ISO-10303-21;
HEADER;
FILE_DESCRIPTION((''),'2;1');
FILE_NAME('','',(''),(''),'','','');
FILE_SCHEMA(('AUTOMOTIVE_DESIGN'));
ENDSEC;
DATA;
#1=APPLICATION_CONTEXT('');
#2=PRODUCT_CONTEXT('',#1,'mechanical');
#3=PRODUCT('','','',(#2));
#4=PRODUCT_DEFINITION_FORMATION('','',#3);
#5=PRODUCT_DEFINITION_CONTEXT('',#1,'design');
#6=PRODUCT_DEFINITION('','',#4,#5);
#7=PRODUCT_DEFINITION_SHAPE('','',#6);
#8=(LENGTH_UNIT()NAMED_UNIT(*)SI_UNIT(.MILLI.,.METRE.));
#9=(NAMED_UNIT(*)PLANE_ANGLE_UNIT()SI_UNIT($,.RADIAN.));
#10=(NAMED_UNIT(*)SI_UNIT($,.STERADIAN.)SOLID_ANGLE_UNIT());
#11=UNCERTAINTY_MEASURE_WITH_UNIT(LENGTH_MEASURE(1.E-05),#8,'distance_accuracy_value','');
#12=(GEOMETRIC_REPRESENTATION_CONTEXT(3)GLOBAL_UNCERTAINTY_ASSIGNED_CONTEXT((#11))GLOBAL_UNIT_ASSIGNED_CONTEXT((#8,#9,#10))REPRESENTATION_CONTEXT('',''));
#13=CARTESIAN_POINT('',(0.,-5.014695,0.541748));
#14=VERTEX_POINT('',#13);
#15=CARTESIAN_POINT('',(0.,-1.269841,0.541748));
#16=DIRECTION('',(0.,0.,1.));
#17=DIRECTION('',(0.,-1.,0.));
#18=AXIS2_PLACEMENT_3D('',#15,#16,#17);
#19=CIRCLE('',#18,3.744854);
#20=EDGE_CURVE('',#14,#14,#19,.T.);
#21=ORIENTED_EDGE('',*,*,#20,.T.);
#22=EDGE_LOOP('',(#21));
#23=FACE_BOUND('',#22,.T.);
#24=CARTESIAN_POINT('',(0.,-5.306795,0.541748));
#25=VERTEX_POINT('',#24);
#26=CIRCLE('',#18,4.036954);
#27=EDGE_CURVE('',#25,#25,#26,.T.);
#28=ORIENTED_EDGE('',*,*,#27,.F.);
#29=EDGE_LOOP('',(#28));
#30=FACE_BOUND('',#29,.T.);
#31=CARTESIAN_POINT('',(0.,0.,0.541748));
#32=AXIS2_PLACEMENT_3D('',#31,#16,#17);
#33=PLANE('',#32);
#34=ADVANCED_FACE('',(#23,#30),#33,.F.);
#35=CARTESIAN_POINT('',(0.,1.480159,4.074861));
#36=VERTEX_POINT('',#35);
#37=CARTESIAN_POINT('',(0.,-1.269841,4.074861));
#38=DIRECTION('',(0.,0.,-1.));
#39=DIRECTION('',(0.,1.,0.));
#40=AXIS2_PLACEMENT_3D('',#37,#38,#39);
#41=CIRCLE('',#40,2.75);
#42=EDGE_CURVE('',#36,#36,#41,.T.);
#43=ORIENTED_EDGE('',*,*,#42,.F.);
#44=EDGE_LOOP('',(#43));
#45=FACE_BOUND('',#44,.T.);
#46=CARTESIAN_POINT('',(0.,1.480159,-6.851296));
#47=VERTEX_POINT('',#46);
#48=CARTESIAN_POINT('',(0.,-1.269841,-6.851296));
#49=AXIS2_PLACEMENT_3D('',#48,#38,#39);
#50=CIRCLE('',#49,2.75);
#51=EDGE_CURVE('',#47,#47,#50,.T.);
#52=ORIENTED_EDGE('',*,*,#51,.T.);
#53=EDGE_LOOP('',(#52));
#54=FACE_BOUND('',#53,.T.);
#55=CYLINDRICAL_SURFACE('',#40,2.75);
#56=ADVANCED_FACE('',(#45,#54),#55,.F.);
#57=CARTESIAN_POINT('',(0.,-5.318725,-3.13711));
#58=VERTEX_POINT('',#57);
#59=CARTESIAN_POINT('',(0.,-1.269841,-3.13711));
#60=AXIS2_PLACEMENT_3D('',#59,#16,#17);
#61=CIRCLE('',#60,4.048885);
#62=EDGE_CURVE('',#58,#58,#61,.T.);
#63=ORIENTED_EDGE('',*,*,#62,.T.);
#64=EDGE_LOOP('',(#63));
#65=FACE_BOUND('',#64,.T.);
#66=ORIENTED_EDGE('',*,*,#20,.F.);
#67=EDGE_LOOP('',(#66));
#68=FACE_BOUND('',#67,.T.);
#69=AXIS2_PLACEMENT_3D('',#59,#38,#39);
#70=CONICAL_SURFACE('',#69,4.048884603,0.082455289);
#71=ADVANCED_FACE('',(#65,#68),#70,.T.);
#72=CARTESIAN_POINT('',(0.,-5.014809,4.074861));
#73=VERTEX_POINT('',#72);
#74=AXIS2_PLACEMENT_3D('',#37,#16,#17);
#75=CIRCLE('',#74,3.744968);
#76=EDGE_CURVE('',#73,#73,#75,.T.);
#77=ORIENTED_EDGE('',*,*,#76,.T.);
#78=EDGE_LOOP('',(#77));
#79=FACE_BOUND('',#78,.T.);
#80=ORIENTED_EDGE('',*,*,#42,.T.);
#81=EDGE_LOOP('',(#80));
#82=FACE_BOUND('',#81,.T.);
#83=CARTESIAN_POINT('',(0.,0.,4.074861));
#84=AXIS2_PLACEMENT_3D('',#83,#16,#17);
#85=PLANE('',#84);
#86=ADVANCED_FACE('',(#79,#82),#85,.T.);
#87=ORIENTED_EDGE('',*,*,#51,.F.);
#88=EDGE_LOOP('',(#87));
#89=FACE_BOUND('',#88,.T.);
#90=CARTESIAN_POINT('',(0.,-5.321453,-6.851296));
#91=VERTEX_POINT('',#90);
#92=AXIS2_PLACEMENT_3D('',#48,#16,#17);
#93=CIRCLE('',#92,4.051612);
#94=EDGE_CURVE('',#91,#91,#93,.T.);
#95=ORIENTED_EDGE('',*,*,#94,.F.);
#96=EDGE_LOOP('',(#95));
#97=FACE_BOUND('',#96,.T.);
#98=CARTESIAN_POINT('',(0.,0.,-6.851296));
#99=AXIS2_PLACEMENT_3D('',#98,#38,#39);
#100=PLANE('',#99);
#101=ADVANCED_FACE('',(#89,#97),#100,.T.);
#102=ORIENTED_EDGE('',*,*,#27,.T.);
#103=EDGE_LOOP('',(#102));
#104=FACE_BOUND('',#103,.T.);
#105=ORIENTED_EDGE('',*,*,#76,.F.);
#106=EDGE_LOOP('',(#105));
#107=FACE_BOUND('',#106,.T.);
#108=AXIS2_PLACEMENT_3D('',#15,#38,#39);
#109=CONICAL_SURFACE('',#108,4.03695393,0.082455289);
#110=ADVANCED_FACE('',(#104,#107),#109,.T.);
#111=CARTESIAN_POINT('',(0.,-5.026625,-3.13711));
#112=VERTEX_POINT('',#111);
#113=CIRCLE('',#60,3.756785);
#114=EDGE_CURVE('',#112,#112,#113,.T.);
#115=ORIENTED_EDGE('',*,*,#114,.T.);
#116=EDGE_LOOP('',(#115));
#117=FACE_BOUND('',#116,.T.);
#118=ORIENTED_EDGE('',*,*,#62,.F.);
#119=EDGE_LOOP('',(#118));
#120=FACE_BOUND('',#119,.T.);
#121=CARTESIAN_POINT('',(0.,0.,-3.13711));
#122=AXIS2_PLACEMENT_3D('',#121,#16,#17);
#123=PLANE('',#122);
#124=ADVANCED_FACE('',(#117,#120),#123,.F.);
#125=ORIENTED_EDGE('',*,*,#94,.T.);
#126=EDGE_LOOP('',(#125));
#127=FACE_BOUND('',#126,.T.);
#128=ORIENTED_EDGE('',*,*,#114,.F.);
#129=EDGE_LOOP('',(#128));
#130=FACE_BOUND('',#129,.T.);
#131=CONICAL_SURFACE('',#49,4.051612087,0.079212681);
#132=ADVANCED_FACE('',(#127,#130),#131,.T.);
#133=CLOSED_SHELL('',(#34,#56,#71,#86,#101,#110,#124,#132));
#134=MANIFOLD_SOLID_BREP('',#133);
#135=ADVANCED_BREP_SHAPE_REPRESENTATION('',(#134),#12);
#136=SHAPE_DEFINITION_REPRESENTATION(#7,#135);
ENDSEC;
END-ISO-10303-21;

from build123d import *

# Parameters (mm, degrees)
SKETCH7_R          = 2.75
CUT_EXTRUDE3_DEPTH = 11.926156548


with BuildPart() as part:
    # Sketch2 → Revolve2 (revolve)
    with BuildSketch(Plane(origin=(0, 0, 0), x_dir=(0, 0, -1), z_dir=(1, 0, 0))):
        Polygon((-0.541748287, -1.269840707), (6.851295576, -1.269840707), (6.851295576, 1.28177138), (6.851295576, 2.78177138), (3.137110203, 2.486943896), (3.137110203, 1.279043896), (3.137110203, 2.779043896), (-0.541748287, 2.475013223), (-0.541748287, 1.267113223), (-0.541748287, 2.767113223), (-4.074860971, 2.475127372), (-4.074860971, 0.975127372), (-4.074860971, -1.269840707), align=None)
    revolve(axis=Axis((0, -1.269840707, 0.541748287), (0, 0, -1)))

    # Sketch7 → Cut-Extrude3 (cut, through all)
    with BuildSketch(Plane(origin=(0, 0, -6.851295576), x_dir=(-1, 0, 0), z_dir=(0, 0, -1))):
        with Locations((0, -1.269840707)):
            Circle(SKETCH7_R)
    extrude(amount=-CUT_EXTRUDE3_DEPTH, mode=Mode.SUBTRACT)


solid = part.part
